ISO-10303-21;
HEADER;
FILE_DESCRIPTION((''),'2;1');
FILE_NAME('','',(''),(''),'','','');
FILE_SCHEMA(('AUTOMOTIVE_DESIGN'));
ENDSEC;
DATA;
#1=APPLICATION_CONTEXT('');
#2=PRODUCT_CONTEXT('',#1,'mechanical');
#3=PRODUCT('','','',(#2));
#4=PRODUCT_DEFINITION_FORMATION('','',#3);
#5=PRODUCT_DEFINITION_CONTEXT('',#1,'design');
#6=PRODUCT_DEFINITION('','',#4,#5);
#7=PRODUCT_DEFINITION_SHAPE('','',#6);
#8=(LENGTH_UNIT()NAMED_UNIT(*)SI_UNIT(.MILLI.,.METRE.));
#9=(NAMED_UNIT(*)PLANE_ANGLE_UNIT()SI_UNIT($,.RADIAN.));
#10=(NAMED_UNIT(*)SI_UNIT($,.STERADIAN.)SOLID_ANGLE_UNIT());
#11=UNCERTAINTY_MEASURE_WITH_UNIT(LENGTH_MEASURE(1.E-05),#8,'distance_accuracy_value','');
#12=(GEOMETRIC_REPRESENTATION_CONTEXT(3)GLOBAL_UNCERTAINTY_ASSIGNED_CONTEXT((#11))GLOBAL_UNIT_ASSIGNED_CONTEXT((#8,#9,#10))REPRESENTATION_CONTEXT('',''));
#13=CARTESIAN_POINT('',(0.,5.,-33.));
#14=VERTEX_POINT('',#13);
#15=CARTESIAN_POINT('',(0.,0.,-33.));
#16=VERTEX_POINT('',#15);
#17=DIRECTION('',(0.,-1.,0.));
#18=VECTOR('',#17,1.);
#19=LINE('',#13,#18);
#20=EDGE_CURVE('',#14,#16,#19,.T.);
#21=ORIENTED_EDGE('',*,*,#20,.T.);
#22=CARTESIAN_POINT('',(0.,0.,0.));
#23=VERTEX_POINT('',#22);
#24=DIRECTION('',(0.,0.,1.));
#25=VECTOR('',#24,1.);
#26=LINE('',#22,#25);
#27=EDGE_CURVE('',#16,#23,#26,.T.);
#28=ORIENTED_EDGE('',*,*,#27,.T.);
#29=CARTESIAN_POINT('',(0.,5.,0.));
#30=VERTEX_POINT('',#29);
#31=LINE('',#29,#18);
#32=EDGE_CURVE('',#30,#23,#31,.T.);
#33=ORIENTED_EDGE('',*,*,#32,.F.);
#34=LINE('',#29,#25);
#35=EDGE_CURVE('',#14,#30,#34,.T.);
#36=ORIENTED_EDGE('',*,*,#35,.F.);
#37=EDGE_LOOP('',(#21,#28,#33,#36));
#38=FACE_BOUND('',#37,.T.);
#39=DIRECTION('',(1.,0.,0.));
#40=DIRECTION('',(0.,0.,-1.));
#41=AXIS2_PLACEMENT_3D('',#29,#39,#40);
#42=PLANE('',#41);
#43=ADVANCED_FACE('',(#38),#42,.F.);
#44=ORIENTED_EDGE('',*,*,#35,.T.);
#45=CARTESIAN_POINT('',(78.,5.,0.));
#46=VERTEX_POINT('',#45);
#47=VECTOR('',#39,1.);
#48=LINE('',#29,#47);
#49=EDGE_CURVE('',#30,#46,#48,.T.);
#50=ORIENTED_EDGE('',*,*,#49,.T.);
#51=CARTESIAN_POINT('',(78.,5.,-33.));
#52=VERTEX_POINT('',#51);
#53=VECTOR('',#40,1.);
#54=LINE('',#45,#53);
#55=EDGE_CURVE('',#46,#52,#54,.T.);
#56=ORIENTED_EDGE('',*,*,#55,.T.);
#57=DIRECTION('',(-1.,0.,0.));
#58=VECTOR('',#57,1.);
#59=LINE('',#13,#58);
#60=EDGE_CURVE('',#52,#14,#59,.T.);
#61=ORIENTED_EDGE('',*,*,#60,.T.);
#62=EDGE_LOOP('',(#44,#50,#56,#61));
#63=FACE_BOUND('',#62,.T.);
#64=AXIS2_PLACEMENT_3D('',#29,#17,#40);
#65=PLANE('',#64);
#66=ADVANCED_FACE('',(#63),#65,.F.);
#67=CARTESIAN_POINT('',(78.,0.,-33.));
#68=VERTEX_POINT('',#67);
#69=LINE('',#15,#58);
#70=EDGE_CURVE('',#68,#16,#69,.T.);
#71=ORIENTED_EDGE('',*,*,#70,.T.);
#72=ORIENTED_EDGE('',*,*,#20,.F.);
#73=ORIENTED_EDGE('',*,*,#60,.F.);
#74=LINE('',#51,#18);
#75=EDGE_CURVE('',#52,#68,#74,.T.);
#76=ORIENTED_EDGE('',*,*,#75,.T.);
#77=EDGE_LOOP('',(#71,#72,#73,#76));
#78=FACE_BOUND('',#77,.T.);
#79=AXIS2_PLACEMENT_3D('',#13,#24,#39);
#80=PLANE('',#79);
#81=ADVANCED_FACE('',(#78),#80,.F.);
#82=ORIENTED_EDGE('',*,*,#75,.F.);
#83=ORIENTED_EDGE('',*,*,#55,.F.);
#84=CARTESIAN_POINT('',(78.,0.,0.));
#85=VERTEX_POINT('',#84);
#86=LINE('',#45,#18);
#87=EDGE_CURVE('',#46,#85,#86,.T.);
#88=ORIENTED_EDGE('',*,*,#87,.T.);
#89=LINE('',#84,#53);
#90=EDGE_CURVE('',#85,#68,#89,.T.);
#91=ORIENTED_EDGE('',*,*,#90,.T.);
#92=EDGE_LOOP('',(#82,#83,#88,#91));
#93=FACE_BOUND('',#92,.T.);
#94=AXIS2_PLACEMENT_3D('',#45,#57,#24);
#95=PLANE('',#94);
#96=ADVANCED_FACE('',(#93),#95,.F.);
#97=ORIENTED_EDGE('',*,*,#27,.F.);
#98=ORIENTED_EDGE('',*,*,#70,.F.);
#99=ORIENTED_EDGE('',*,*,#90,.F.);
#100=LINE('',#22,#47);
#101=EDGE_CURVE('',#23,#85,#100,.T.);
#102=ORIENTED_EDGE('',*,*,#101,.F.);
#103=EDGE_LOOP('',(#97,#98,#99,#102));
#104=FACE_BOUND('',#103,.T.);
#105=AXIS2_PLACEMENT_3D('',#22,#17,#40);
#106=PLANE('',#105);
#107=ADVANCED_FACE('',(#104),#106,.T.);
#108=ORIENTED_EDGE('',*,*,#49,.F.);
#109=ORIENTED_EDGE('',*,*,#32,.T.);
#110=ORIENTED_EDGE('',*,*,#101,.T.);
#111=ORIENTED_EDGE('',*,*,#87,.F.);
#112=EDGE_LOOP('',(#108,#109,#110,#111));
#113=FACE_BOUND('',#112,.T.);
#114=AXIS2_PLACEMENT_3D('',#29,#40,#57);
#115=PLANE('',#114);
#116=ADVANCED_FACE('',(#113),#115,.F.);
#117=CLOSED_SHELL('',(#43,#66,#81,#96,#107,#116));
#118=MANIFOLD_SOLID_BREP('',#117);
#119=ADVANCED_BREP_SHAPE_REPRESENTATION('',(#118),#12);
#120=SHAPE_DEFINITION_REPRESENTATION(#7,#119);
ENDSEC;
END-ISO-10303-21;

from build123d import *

# Parameters (mm, degrees)
SKETCH_1_W      = 78
SKETCH_1_H      = 33
EXTRUDE_1_DEPTH = 5


with BuildPart() as part:
    # Эскиз1 → Бобышка-Вытянуть1 (new body)
    with BuildSketch(Plane(origin=(0, 0, 0), x_dir=(1, 0, 0), z_dir=(0, 1, 0))):
        with Locations((39, 16.5)):
            Rectangle(SKETCH_1_W, SKETCH_1_H)
    extrude(amount=EXTRUDE_1_DEPTH)


solid = part.part
